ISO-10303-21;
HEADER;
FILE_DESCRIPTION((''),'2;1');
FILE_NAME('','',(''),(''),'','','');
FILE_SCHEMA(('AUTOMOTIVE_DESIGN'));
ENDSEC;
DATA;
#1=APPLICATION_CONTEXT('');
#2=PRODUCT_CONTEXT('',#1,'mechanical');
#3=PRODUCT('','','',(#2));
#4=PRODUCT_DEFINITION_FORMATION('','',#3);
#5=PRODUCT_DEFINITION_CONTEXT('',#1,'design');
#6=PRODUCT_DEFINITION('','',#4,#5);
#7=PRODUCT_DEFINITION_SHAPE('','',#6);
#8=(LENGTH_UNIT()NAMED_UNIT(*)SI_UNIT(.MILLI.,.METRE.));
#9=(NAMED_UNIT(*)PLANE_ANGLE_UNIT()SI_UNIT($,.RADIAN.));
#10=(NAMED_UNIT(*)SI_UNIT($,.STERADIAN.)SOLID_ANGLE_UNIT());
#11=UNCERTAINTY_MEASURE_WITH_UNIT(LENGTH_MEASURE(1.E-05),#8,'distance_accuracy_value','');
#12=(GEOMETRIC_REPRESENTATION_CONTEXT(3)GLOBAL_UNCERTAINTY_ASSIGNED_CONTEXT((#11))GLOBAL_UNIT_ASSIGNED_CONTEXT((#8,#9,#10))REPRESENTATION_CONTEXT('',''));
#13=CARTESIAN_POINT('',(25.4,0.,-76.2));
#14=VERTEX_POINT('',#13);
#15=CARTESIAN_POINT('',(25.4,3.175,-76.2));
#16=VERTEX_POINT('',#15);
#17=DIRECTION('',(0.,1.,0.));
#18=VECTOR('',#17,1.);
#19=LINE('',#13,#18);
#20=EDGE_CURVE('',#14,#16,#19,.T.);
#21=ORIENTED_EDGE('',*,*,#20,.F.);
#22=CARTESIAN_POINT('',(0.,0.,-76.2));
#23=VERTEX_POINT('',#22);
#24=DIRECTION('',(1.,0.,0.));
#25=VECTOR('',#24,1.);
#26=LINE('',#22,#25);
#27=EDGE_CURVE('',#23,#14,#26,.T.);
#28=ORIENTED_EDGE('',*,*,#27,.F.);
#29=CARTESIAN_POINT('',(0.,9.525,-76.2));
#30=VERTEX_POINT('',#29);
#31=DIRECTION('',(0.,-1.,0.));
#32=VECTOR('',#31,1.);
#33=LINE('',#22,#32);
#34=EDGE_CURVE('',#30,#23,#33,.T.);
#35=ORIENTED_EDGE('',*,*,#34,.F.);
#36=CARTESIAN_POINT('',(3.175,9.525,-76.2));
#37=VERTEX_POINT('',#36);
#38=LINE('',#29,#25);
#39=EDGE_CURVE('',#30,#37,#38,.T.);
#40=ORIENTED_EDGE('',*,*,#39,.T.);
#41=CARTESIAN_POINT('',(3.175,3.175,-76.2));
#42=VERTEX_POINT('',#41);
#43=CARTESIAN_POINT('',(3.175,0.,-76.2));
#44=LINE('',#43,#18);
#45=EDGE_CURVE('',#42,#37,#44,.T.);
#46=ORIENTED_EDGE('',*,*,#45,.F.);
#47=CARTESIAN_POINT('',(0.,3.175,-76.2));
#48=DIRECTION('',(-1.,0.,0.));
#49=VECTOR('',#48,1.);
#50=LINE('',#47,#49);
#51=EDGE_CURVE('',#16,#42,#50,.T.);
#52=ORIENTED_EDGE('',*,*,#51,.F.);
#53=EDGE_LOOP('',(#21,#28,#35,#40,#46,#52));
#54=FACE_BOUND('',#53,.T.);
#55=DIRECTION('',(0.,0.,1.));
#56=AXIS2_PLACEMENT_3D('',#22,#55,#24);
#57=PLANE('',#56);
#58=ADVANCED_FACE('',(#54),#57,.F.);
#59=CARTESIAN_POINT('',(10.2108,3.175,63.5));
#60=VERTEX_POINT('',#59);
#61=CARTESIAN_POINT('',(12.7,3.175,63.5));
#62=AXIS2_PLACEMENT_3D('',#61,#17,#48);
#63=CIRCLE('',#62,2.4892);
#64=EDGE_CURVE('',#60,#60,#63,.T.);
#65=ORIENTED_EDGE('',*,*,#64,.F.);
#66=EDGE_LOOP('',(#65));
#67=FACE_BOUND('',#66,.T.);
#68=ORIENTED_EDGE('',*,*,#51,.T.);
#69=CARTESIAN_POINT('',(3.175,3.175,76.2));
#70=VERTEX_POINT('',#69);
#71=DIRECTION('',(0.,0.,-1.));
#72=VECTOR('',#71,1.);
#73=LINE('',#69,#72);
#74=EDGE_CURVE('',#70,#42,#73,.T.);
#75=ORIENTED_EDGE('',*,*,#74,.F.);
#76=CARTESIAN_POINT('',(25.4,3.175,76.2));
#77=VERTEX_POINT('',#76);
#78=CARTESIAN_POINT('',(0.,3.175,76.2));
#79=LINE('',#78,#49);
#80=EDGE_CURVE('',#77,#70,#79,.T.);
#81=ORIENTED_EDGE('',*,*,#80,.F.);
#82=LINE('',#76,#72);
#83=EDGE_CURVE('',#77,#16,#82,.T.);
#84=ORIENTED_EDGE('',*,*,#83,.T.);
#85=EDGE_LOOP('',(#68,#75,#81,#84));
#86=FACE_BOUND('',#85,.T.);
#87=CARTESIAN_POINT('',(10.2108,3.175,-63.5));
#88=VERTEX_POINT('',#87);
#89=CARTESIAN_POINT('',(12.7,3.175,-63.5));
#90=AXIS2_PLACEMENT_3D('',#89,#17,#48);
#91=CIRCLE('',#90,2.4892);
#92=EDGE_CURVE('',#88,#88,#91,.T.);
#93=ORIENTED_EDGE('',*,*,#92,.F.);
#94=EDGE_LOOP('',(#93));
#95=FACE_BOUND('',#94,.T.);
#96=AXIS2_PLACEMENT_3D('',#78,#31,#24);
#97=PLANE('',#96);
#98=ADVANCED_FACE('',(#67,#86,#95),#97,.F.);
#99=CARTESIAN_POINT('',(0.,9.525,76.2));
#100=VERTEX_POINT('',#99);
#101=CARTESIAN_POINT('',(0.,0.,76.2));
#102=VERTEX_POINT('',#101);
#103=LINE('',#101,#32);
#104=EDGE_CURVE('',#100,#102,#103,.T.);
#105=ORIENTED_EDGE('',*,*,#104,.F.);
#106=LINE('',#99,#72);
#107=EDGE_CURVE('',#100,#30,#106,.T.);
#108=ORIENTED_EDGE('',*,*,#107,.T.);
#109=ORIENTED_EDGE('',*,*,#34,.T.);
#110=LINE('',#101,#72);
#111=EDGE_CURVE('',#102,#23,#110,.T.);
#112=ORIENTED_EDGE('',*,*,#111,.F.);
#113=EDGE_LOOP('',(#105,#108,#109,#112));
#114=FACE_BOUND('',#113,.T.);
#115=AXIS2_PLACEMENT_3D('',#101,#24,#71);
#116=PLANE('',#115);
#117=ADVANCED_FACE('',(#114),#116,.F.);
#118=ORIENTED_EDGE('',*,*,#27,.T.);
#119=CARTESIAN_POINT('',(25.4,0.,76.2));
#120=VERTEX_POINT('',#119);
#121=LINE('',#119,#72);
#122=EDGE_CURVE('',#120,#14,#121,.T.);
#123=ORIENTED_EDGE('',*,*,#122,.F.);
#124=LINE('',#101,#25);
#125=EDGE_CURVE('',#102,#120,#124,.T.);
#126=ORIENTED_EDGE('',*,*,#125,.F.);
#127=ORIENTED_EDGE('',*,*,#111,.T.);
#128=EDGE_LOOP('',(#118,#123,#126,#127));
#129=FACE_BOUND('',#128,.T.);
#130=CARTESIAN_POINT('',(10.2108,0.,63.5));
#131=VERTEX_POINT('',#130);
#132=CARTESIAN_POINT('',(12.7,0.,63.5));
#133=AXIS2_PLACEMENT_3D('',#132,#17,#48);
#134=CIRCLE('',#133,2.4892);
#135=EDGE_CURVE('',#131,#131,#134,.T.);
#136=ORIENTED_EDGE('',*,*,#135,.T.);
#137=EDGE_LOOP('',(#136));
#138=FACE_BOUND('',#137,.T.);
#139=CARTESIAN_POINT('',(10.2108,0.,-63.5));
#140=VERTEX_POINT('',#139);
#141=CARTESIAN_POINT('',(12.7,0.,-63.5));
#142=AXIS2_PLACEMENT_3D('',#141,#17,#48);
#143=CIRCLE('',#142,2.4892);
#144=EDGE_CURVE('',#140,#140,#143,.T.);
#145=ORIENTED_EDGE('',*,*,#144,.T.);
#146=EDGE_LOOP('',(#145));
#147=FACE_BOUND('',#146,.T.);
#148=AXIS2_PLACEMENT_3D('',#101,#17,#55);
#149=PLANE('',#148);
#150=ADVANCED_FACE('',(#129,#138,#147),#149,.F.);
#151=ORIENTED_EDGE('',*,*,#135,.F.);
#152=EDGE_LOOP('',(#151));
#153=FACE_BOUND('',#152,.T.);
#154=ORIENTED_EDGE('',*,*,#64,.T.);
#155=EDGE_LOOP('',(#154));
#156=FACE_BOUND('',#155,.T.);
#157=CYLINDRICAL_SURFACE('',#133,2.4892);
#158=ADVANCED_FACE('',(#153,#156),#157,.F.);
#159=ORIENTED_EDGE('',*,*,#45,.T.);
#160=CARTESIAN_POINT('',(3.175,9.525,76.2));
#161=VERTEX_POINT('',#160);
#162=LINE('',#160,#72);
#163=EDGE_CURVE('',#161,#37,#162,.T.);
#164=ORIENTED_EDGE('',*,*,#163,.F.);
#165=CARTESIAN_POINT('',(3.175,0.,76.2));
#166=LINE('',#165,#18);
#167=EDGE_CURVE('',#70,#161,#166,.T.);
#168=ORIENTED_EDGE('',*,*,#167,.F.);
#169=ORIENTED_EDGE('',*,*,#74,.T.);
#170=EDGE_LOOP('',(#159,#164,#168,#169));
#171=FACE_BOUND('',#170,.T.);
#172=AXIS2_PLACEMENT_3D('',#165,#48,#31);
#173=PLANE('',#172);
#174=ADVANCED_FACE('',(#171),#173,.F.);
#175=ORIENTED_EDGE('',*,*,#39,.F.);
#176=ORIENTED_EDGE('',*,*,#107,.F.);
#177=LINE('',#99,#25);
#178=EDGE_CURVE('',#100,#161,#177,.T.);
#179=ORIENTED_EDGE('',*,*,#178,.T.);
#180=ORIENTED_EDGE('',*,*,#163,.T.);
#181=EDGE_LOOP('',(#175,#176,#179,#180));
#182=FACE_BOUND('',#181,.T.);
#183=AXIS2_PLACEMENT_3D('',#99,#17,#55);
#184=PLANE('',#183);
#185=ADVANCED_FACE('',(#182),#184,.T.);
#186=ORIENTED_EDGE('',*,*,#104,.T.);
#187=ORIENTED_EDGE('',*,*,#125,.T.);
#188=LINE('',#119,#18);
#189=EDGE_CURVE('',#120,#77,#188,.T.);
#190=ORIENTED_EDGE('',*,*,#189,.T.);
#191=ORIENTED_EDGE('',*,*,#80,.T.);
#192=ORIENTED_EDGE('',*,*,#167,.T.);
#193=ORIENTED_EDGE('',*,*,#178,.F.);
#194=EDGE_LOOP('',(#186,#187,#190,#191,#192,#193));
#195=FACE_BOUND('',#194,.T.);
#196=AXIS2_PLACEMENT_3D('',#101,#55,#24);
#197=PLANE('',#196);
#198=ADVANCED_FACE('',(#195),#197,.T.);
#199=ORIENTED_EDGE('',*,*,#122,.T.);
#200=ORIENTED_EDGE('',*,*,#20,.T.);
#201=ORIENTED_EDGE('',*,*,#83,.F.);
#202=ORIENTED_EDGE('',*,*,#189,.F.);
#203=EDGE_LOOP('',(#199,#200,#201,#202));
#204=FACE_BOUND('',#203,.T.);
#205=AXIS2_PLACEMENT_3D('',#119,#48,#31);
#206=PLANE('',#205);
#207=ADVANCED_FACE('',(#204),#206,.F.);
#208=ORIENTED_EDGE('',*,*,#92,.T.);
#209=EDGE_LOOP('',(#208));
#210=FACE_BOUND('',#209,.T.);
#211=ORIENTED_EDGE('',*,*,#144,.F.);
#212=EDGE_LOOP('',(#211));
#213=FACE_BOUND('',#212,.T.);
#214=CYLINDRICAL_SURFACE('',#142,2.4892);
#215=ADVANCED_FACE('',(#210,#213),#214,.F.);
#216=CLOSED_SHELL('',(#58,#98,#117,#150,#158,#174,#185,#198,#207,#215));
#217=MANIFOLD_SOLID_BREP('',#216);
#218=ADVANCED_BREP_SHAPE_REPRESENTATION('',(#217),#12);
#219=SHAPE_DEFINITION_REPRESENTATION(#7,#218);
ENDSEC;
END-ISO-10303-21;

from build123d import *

# Parameters (mm, degrees)
BOSS_EXTRUDE1_DEPTH = 76.2
SKETCH2_R           = 2.4892
CUT_EXTRUDE1_DEPTH  = 4.175


with BuildPart() as part:
    # Sketch1 → Boss-Extrude1 (new body, symmetric)
    with BuildSketch(Plane.XY):
        Polygon((0, 9.525), (0, 0), (25.4, 0), (25.4, 3.175), (3.175, 3.175), (3.175, 9.525), align=None)
    extrude(amount=BOSS_EXTRUDE1_DEPTH, both=True)

    # Sketch2 → Cut-Extrude1 (cut, through all)
    with BuildSketch(Plane(origin=(0, 3.175, 0), x_dir=(1, 0, 0), z_dir=(0, 1, 0))):
        with Locations((12.7, -63.5)):
            Circle(SKETCH2_R)
        with Locations((12.7, 63.5)):
            Circle(SKETCH2_R)
    extrude(amount=-CUT_EXTRUDE1_DEPTH, mode=Mode.SUBTRACT)


solid = part.part
